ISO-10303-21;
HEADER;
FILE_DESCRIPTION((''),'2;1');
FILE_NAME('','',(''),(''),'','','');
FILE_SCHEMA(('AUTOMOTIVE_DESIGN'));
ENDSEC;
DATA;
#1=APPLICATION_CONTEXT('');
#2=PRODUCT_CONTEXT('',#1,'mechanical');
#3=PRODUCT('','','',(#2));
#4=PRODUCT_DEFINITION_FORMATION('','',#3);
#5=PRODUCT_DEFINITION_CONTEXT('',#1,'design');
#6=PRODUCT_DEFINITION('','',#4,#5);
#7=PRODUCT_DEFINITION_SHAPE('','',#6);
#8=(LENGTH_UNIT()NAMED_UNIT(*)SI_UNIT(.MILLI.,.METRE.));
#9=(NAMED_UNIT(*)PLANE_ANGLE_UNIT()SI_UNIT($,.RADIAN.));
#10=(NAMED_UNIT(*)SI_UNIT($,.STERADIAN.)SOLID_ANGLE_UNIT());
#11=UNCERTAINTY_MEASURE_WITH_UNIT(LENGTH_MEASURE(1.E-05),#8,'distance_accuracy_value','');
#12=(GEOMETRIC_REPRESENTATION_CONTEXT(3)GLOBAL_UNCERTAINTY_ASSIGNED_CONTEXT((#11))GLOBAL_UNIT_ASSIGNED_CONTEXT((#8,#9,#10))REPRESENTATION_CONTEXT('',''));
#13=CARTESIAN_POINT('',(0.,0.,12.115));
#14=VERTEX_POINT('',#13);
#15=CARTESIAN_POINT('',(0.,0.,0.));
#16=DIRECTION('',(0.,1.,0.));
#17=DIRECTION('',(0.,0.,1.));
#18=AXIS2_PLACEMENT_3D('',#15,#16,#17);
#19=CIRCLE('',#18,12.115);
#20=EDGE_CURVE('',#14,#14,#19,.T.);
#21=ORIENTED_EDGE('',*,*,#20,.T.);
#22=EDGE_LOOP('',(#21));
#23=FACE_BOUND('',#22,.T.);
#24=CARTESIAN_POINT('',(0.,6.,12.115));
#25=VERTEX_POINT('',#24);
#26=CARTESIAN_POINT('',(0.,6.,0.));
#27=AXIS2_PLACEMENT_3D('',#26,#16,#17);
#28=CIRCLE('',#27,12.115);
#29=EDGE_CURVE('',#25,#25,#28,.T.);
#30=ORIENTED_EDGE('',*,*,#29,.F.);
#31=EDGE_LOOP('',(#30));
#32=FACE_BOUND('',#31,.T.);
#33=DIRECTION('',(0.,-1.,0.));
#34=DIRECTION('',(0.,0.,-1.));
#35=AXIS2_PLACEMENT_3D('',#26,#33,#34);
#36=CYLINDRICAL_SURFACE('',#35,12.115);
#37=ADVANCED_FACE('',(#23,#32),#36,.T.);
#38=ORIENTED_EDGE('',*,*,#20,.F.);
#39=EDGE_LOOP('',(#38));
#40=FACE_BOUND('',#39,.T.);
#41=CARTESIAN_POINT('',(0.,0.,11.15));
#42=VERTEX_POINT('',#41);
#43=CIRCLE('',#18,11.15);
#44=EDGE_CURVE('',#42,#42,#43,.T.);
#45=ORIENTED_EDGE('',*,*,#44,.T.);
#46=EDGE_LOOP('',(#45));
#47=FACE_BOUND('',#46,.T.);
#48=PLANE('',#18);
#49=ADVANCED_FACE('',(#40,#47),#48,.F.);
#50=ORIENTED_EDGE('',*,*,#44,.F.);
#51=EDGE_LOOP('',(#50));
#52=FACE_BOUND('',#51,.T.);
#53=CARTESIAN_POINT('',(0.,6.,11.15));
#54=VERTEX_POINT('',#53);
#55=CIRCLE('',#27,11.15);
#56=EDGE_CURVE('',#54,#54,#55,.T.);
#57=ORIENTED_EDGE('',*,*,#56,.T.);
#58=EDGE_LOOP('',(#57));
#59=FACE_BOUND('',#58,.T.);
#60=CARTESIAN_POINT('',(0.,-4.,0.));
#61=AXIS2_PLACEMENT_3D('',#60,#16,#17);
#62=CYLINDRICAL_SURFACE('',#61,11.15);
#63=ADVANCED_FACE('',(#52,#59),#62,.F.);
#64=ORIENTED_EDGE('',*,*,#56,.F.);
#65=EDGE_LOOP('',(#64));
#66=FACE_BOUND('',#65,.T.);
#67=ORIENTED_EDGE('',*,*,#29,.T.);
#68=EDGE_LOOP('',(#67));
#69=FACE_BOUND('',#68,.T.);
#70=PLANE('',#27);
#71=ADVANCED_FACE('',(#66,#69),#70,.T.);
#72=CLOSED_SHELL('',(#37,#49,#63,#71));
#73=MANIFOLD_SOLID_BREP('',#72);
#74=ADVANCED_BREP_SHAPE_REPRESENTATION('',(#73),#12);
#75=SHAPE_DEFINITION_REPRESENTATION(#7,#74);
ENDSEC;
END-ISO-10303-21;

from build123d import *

# Parameters (mm, degrees)
ESQUISSE1_R             = 12.115
BOSS_EXTRU_1_DEPTH      = 6
ESQUISSE2_R             = 11.15
ENL_V_MAT_EXTRU_1_DEPTH = 10


with BuildPart() as part:
    # Esquisse1 → Boss.-Extru.1 (new body)
    with BuildSketch(Plane(origin=(0, 0, 0), x_dir=(1, 0, 0), z_dir=(0, 1, 0))):
        with Locations(Location((0, 0, 0), (0, 0, 270))):
            Circle(ESQUISSE1_R)
    extrude(amount=BOSS_EXTRU_1_DEPTH)

    # Esquisse2 → Enlèv. mat.-Extru.1 (cut)
    with BuildSketch(Plane(origin=(0, 6, 0), x_dir=(1, 0, 0), z_dir=(0, 1, 0))):
        with Locations(Location((0, 0, 0), (0, 0, 270))):
            Circle(ESQUISSE2_R)
    extrude(amount=-ENL_V_MAT_EXTRU_1_DEPTH, mode=Mode.SUBTRACT)


solid = part.part
